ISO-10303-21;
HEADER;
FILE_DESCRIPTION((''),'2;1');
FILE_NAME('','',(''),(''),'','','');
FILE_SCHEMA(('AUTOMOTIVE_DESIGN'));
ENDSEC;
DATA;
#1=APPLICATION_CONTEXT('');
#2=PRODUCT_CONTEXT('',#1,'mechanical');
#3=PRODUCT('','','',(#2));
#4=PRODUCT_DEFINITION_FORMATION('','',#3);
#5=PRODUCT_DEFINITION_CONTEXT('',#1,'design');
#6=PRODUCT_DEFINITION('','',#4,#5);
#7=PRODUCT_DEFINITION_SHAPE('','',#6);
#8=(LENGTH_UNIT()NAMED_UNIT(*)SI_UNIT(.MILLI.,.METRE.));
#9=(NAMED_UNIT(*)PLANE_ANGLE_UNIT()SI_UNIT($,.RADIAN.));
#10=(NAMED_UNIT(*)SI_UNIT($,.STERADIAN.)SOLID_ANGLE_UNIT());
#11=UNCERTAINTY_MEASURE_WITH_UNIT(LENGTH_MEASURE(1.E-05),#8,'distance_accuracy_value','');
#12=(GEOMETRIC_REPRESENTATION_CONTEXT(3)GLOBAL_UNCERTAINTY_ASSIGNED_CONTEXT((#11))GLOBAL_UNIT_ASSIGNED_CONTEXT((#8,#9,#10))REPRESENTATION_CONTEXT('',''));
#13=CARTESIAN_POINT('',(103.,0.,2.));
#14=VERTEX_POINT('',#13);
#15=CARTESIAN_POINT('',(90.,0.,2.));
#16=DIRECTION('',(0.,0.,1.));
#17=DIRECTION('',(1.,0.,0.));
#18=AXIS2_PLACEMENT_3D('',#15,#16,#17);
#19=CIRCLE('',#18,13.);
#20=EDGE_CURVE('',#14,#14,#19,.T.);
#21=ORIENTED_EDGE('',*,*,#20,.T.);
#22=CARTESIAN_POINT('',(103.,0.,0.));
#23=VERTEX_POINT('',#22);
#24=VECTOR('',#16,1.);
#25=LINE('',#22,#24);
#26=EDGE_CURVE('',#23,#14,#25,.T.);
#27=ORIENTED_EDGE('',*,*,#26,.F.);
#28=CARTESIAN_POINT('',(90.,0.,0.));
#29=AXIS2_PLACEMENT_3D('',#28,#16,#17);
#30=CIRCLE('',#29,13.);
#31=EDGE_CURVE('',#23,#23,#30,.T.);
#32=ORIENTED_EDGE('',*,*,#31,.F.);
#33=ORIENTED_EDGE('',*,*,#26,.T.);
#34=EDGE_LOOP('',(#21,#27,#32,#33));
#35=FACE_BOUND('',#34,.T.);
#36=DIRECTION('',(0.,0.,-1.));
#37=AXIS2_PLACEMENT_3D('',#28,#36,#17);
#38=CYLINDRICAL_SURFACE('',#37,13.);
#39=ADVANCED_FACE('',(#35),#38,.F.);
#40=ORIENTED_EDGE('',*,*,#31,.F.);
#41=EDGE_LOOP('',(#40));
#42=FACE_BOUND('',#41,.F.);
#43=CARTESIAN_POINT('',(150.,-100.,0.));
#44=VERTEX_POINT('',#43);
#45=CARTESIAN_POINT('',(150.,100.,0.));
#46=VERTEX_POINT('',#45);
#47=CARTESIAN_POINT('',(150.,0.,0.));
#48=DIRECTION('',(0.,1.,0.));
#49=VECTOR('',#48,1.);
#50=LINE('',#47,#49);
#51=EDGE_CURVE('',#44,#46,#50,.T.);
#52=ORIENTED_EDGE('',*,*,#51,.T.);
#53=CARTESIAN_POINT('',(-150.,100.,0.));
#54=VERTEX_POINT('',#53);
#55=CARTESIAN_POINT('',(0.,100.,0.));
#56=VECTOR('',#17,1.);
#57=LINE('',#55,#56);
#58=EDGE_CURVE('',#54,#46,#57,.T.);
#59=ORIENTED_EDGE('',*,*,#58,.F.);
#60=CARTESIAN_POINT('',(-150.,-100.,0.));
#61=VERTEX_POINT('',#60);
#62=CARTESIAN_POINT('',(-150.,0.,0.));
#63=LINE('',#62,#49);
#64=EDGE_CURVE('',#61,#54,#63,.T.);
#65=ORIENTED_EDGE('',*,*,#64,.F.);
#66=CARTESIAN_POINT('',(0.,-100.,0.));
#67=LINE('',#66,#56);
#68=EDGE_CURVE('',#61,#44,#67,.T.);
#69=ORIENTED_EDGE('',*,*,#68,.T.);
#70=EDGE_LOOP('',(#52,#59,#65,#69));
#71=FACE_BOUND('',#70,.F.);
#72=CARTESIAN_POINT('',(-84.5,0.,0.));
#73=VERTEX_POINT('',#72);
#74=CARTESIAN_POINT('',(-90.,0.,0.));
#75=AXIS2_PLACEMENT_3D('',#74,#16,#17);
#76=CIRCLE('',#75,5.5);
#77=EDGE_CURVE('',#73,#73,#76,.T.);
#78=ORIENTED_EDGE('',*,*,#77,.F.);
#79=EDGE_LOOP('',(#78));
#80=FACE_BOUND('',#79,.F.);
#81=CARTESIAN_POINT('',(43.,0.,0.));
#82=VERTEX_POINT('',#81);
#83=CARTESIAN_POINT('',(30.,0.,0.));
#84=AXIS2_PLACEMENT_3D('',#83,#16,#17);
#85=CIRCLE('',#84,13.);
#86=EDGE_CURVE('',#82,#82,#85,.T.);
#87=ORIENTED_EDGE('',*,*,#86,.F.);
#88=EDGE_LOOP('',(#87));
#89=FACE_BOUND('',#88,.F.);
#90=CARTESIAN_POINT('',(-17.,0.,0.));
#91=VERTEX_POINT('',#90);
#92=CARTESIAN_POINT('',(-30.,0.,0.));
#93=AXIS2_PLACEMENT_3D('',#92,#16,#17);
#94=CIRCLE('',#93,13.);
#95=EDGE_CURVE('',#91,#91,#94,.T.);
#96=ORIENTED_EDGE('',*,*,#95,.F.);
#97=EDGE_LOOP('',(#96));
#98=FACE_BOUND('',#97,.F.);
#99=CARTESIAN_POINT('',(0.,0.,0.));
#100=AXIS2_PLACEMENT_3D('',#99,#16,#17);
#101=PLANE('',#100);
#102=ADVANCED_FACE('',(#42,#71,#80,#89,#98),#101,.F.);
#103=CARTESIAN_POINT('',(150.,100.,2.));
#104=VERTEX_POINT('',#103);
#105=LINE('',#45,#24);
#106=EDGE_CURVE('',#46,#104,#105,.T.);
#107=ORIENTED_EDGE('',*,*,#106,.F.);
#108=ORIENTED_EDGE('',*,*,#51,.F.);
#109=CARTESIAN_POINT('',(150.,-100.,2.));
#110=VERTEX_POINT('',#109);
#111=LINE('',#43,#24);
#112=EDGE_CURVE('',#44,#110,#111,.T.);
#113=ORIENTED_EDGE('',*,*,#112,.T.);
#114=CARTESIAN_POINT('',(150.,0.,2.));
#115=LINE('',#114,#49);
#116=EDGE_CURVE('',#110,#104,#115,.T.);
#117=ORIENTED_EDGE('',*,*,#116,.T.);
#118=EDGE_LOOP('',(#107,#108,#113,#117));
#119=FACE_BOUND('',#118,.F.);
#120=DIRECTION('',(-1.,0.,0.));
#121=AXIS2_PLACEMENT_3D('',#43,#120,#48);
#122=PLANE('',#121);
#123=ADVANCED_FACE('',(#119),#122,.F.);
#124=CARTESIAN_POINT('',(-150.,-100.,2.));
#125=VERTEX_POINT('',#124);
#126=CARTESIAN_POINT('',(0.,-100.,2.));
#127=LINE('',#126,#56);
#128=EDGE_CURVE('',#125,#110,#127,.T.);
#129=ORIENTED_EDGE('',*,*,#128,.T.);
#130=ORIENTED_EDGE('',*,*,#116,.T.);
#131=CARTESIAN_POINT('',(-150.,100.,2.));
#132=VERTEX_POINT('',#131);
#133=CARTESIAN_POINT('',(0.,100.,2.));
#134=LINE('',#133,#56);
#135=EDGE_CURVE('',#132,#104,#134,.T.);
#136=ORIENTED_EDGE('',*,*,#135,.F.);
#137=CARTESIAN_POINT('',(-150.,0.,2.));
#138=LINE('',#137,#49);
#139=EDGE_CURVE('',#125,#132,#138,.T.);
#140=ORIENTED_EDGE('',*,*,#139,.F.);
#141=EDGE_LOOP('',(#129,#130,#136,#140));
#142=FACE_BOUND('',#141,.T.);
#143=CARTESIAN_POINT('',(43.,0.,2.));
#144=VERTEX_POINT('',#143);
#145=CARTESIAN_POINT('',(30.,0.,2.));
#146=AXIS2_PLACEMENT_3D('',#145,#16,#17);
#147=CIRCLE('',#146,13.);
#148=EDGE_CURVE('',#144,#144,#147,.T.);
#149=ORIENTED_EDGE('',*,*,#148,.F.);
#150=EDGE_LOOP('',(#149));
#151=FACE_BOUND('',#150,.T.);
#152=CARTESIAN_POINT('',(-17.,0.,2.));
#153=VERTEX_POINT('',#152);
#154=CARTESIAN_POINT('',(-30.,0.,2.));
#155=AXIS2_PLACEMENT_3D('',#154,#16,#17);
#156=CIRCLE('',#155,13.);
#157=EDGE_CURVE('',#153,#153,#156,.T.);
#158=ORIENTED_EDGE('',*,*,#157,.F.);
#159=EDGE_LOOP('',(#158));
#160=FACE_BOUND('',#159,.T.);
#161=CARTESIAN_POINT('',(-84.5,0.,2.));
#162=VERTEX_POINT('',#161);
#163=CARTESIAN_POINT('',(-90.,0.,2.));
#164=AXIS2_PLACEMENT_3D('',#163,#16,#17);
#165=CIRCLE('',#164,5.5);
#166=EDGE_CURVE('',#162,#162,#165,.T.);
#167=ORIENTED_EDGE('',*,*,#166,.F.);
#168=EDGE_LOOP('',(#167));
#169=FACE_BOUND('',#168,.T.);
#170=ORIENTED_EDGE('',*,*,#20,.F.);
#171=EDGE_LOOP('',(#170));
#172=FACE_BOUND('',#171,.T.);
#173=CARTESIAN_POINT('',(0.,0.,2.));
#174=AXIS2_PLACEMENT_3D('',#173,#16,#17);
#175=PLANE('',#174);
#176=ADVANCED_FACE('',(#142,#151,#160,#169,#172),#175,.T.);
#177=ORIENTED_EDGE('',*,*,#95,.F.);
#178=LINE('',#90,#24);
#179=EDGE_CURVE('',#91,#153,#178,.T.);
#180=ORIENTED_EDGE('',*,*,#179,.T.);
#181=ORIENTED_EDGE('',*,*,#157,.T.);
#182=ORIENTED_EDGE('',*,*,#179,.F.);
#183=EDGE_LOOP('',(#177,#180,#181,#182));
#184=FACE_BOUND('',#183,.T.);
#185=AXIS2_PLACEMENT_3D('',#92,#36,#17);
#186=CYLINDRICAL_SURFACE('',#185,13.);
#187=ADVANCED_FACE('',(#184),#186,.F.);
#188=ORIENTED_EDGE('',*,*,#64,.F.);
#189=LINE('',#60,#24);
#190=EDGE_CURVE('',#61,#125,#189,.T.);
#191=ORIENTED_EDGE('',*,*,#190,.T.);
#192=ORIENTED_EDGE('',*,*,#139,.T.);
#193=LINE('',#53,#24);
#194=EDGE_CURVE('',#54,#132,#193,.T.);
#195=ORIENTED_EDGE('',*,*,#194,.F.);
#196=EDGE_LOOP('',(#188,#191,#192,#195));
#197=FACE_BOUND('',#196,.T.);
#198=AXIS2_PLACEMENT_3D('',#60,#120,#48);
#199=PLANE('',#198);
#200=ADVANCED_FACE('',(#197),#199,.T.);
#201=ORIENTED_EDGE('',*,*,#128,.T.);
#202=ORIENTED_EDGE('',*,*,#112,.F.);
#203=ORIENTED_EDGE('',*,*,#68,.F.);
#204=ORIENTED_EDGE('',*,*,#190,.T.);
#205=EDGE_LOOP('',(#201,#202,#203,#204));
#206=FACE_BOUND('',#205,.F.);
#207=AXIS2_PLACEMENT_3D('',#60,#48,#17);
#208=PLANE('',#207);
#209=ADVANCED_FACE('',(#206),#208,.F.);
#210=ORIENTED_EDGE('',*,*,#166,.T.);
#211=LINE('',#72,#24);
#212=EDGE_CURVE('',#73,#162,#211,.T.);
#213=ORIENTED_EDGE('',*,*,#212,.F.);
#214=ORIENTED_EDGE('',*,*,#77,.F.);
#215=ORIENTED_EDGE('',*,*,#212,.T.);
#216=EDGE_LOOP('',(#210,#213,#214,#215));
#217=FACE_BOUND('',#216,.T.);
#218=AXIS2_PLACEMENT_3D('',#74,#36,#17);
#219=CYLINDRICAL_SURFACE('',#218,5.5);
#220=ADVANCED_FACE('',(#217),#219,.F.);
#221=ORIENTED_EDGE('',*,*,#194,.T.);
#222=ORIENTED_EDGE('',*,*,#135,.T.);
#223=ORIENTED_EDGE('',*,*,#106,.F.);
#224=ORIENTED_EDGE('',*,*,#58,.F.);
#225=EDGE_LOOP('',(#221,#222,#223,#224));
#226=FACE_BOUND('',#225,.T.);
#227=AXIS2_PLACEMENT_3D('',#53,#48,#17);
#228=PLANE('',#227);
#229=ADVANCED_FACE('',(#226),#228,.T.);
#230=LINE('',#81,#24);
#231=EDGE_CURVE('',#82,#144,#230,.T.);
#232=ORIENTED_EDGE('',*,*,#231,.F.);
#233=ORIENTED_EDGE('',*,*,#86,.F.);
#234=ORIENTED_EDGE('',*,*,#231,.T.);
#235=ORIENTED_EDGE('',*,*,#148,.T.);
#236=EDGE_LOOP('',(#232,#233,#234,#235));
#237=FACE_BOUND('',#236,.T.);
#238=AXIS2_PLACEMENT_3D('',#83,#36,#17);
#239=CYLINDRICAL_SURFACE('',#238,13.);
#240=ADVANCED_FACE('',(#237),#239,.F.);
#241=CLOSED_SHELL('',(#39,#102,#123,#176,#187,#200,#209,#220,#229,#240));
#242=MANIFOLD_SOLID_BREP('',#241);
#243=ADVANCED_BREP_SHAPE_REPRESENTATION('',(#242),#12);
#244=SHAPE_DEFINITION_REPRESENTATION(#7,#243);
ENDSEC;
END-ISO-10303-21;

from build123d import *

# Parameters (mm, degrees)
SKETCH1_W           = 300
SKETCH1_H           = 200
SKETCH1_R           = 13
SKETCH1_R_2         = 5.5
BOSS_EXTRUDE1_DEPTH = 2


with BuildPart() as part:
    # Sketch1 → Boss-Extrude1 (new body)
    with BuildSketch(Plane.XY):
        Rectangle(SKETCH1_W, SKETCH1_H)
        with Locations((30, 0)):
            Circle(SKETCH1_R, mode=Mode.SUBTRACT)
        with Locations((90, 0)):
            Circle(SKETCH1_R, mode=Mode.SUBTRACT)
        with Locations((-30, 0)):
            Circle(SKETCH1_R, mode=Mode.SUBTRACT)
        with Locations((-90, 0)):
            Circle(SKETCH1_R_2, mode=Mode.SUBTRACT)
    extrude(amount=BOSS_EXTRUDE1_DEPTH)


solid = part.part
